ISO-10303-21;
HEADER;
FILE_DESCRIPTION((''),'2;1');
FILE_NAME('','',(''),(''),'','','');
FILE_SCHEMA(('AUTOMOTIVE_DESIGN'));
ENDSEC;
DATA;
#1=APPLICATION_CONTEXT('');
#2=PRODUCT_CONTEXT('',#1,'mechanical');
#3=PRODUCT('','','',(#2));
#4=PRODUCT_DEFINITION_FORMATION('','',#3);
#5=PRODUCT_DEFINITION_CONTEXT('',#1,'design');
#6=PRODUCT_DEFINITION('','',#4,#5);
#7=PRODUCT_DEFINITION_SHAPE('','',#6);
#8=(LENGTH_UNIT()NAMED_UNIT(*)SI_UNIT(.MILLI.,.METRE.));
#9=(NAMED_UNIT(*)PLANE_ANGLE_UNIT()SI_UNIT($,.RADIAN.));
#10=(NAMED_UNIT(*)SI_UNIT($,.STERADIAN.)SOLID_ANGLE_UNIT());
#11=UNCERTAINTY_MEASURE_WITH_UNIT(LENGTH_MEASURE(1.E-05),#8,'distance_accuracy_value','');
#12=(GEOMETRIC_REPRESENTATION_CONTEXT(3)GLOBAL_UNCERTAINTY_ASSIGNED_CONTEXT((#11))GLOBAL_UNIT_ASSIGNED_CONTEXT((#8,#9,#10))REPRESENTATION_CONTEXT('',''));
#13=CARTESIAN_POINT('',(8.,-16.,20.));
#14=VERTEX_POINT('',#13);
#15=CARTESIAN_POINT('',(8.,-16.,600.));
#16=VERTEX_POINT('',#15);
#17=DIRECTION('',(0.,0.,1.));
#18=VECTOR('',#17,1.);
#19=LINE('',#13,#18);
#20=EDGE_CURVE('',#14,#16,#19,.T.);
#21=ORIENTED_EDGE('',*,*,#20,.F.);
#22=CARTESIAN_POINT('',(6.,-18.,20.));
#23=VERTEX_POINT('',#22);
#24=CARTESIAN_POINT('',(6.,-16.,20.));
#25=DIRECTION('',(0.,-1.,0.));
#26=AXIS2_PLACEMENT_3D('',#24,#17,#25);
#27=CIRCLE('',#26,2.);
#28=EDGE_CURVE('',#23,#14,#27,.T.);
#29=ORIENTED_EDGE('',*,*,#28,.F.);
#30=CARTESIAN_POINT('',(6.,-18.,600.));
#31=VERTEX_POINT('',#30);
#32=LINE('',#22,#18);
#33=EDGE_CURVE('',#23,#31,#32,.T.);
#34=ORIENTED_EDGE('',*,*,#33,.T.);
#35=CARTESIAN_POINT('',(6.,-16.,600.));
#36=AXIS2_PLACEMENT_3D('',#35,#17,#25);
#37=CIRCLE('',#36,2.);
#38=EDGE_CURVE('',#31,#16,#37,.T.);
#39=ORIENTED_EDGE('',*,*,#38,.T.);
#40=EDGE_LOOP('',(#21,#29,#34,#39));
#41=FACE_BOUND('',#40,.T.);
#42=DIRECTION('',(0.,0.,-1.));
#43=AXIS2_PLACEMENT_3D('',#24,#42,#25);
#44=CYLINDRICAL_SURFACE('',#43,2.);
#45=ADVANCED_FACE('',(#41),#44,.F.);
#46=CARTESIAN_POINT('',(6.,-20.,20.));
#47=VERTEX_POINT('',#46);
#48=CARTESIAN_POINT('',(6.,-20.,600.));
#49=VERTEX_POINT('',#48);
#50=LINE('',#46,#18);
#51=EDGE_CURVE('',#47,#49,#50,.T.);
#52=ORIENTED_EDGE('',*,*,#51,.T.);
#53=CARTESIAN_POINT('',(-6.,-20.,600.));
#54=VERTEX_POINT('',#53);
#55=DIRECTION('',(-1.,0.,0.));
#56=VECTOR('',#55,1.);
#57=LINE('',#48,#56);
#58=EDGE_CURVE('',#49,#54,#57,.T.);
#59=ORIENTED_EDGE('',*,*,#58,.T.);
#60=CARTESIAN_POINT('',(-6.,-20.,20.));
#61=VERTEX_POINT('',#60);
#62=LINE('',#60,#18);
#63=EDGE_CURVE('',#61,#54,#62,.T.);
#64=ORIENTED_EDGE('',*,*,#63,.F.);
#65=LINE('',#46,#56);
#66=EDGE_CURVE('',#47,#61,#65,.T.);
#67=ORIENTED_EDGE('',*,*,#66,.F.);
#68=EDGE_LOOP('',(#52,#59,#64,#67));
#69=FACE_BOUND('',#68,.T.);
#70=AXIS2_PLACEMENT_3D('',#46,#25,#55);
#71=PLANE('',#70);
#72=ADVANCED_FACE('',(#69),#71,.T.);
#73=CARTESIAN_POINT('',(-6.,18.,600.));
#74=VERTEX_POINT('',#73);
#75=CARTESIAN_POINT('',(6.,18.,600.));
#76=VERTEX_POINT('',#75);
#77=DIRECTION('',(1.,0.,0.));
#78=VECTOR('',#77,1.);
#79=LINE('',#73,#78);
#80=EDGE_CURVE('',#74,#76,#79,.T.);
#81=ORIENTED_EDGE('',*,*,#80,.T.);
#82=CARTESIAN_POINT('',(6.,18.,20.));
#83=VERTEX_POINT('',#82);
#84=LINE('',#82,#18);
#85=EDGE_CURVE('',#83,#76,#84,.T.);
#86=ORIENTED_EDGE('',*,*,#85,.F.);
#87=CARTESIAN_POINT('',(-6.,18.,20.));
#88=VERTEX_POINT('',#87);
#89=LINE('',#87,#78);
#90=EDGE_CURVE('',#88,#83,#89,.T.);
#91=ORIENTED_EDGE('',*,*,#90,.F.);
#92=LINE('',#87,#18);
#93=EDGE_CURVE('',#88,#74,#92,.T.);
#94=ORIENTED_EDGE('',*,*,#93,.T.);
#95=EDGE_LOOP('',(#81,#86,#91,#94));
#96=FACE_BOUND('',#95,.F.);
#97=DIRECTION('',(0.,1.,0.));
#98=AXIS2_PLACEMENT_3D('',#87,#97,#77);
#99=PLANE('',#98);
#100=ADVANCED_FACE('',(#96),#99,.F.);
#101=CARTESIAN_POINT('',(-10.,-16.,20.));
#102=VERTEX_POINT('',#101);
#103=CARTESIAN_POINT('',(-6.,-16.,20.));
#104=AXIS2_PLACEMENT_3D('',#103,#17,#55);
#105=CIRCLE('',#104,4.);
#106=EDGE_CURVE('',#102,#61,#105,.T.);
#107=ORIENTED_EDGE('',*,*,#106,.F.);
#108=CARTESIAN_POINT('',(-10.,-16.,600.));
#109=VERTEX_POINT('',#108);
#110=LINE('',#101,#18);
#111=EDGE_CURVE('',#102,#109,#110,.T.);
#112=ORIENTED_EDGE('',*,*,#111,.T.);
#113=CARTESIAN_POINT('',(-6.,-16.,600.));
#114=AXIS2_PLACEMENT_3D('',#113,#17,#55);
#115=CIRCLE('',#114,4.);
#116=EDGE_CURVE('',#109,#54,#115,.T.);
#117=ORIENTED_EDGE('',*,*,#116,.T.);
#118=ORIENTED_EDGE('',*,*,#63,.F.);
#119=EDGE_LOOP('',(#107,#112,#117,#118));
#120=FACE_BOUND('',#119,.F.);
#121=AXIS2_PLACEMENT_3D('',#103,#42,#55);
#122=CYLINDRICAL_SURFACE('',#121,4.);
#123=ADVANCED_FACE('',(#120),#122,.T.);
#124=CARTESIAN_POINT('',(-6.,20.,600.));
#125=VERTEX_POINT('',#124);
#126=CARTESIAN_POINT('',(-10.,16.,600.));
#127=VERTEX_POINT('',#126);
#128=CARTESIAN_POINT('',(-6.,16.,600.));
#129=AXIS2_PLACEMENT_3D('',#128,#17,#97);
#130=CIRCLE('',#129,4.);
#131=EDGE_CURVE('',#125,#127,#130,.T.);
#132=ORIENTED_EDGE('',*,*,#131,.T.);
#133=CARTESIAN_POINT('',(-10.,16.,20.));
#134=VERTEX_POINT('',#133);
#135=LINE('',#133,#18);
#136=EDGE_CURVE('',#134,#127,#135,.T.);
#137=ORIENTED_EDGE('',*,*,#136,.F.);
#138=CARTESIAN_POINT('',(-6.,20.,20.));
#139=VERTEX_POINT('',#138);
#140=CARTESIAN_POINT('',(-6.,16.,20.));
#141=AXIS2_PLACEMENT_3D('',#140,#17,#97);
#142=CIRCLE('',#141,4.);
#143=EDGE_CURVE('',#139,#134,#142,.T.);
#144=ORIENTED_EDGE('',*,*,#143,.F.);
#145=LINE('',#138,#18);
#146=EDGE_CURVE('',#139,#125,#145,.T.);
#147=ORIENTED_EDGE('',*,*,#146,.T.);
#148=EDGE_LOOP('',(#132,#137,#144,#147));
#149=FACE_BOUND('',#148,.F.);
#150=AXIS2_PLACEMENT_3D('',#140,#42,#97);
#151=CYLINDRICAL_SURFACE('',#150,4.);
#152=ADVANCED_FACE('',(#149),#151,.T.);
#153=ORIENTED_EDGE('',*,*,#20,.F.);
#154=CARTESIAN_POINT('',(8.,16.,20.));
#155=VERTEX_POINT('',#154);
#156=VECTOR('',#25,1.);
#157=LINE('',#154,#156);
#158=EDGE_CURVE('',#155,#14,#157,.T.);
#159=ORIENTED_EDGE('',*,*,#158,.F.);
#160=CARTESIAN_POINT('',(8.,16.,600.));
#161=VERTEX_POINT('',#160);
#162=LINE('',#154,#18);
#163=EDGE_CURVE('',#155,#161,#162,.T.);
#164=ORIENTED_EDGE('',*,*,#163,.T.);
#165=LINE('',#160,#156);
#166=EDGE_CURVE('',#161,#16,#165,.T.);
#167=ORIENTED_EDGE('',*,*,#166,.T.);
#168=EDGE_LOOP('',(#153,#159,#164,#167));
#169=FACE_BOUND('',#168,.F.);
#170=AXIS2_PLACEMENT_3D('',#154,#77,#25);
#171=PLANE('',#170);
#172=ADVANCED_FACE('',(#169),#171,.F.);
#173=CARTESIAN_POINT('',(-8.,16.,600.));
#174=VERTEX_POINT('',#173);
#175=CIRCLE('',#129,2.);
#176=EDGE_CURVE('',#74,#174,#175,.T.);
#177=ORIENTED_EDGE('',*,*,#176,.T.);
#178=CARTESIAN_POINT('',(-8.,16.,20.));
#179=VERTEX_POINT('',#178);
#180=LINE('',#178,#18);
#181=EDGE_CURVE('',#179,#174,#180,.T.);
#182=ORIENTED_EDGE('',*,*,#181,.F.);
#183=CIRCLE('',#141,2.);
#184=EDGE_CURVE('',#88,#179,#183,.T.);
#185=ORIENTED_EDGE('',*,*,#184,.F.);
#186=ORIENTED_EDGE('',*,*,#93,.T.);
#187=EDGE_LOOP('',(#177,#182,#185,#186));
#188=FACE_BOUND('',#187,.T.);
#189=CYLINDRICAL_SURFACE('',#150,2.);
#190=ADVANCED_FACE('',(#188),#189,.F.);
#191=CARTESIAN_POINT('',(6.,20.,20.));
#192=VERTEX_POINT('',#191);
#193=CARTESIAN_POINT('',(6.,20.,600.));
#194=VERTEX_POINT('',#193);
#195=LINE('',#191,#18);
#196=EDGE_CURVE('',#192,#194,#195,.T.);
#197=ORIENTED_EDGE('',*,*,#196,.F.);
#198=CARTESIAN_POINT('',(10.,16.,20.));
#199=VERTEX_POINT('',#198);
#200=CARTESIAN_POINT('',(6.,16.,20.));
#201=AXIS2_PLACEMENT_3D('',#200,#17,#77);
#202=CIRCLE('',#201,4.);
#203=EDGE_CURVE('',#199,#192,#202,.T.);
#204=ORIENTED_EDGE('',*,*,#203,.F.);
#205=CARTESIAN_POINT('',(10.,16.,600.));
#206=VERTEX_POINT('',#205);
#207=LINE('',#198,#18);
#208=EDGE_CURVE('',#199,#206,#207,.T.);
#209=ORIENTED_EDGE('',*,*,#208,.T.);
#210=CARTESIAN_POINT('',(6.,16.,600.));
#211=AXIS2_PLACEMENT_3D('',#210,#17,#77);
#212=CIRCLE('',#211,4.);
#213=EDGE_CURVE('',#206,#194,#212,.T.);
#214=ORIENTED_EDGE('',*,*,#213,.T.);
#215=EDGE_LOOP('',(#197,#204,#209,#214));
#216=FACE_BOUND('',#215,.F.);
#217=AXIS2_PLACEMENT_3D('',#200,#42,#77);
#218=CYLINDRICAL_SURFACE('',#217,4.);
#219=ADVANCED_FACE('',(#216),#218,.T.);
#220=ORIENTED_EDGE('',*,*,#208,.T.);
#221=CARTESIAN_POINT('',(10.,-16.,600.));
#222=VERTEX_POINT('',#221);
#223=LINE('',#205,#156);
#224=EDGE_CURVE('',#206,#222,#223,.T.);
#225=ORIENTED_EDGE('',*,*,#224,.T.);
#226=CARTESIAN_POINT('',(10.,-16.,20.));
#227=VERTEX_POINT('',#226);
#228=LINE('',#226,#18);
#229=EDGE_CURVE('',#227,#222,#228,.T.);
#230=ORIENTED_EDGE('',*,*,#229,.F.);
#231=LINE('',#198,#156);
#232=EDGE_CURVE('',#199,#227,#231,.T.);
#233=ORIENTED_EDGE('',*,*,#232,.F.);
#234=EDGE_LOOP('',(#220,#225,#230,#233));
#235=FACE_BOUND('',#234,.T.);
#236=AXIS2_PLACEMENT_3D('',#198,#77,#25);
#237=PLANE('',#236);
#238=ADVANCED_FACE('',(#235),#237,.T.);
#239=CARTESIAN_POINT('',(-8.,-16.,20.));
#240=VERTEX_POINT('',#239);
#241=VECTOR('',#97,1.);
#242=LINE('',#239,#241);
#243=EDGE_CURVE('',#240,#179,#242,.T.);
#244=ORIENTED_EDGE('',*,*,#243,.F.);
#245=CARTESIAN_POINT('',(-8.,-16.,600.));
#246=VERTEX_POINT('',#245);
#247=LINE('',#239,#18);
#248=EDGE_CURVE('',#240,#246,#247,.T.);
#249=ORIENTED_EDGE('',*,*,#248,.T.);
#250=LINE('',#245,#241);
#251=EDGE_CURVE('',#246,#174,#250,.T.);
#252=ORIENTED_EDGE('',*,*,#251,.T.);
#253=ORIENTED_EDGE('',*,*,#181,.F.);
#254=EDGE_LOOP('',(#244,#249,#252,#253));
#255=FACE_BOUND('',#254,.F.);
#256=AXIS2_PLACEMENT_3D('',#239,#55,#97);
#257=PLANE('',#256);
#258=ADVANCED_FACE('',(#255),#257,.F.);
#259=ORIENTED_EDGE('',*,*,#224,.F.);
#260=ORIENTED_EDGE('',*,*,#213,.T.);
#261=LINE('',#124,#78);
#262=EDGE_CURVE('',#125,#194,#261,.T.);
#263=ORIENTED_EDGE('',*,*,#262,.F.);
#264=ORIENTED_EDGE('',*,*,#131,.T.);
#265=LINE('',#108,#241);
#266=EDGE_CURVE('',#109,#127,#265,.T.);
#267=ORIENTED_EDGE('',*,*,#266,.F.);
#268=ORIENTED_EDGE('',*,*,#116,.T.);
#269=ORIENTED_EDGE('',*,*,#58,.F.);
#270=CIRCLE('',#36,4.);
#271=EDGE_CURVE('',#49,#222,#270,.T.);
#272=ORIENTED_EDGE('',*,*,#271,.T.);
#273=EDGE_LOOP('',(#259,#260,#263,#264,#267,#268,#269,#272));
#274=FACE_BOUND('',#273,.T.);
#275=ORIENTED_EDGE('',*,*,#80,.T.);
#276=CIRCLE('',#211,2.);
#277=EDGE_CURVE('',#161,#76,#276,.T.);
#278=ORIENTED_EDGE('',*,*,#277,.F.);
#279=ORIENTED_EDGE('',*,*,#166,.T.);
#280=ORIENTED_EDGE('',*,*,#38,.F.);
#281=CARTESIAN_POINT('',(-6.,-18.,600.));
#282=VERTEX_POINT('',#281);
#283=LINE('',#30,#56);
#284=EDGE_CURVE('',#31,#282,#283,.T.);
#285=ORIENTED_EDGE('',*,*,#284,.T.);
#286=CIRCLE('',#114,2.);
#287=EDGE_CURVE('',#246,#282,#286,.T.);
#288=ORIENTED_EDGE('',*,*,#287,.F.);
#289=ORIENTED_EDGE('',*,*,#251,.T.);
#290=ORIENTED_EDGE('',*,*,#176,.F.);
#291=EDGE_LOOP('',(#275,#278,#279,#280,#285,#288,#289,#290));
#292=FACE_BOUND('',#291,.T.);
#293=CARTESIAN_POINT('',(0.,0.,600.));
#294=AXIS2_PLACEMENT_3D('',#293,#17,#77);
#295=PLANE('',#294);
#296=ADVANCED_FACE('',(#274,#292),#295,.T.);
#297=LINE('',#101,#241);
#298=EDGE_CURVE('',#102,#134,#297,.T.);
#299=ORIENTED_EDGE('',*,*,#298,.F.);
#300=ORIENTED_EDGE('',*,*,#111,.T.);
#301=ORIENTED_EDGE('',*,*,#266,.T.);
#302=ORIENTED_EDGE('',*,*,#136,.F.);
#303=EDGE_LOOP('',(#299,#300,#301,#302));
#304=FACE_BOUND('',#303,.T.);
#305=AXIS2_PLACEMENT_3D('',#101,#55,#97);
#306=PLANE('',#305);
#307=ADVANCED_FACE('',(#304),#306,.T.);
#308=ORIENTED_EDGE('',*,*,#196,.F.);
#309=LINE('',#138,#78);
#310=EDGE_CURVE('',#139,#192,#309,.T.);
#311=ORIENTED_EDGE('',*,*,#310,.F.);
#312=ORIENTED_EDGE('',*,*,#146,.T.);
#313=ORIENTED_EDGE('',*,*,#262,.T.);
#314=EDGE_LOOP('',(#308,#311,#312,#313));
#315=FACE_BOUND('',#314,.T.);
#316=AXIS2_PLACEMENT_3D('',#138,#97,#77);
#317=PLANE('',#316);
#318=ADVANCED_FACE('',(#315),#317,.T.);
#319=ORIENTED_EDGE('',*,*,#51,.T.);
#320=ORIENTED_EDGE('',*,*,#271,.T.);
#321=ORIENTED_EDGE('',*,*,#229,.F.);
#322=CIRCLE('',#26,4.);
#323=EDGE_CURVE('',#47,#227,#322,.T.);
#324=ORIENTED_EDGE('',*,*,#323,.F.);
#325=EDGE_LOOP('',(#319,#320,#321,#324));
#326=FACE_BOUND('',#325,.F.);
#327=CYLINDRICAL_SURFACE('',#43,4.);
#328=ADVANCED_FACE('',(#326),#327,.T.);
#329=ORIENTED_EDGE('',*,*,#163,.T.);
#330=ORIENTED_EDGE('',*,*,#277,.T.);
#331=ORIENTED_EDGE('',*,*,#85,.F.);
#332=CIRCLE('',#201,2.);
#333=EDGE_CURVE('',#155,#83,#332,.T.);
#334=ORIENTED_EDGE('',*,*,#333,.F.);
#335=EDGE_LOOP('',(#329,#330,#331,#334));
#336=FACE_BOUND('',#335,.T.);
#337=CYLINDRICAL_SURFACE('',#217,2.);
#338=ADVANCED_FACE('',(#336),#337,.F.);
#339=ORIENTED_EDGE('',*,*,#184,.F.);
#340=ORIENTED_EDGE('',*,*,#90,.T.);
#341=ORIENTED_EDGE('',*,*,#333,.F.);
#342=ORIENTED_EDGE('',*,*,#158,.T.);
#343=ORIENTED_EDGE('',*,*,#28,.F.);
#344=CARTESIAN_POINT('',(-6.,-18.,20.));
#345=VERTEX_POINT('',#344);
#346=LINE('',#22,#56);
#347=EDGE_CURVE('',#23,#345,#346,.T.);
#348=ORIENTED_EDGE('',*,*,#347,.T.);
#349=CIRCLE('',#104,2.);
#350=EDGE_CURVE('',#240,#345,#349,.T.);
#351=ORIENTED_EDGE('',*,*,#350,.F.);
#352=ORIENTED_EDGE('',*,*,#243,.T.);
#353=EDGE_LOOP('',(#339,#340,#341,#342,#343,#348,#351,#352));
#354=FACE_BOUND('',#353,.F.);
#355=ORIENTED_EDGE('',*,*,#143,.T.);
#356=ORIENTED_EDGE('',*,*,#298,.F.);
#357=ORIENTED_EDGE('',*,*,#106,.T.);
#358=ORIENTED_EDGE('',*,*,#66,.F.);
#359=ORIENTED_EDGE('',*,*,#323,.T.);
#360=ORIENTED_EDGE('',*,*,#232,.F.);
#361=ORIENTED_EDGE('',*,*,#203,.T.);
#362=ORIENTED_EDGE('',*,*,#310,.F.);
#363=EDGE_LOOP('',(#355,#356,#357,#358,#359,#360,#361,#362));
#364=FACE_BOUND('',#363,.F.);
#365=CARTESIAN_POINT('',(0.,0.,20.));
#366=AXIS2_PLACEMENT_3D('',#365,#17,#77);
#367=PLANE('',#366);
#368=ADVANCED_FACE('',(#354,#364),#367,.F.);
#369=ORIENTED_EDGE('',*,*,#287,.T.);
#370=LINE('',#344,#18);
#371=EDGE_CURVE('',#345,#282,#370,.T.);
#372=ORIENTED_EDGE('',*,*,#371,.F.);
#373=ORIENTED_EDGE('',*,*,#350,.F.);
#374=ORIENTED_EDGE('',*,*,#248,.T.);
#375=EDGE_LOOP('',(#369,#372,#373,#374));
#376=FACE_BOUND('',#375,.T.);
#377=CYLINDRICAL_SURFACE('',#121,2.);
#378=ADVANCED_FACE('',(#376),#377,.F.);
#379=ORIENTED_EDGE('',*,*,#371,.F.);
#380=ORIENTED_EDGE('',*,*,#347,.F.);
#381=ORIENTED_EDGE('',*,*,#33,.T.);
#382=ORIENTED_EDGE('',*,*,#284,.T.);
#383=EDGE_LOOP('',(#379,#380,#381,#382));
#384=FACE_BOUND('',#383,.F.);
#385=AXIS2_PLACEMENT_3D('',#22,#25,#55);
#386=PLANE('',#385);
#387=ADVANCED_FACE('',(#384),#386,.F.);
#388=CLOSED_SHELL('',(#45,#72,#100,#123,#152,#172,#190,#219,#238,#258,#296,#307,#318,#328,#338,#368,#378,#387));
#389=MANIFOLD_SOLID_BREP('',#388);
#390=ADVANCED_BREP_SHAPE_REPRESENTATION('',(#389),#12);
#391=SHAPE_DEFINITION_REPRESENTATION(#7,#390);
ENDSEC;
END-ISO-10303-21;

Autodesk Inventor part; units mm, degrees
ref_plane "YZ Plane" through (0, 0, 0) normal (1, 0, 0) x (0, 1, 0)
ref_plane "Start Plane" through (0, 0, 20) normal (0, 0, 1) x (1, 0, 0)
ref_plane "End Plane" through (0, 0, 600) normal (0, 0, 1) x (1, 0, 0)
sketch "Sketch" plane through (0, 0, 0) normal (0, 0, 1) x (1, 0, 0)
  line L0 (-10, -16) -> (-10, 16)
  line L1 (-6, 20) -> (6, 20)
  line L2 (10, 16) -> (10, -16)
  line L3 (6, -20) -> (-6, -20)
  arc A0 (-10, -16) -> (-6, -20) centre (-6, -16) ccw
  arc A1 (10, 16) -> (6, 20) centre (6, 16) ccw
  arc A2 (-6, 20) -> (-10, 16) centre (-6, 16) ccw
  arc A3 (6, -20) -> (10, -16) centre (6, -16) ccw
  arc A4 (-6, 18) -> (-8, 16) centre (-6, 16) ccw
  line L4 (-6, 18) -> (6, 18)
  arc A5 (8, 16) -> (6, 18) centre (6, 16) ccw
  line L5 (8, 16) -> (8, -16)
  arc A6 (6, -18) -> (8, -16) centre (6, -16) ccw
  line L6 (6, -18) -> (-6, -18)
  arc A7 (-8, -16) -> (-6, -18) centre (-6, -16) ccw
  line L7 (-8, -16) -> (-8, 16)
  line L8 (0, 29.1598) -> (0, -29.1598) construction
  line L9 (-15.1598, 0) -> (15.1598, 0) construction
  dimension "d7" = 4
  dimension "d9" = 20
  dimension "d11" = 40
  dimension "d12" = 2
  dimension "d15" = 10
  dimension "d16" = 20
extrude "Body" add sketch "Sketch" along normal up to surface (580 mm away) from surface at 20
sketch "Sketch3" plane through (0, 0, 0) normal (0, 0, 1) x (1, 0, 0)
  line L0 (0, 0) -> (10, 0)
ref_plane "Work Plane3" through (0, 0, 0) normal (0, -1, 0) x (1, 0, 0)
sketch "Sketch4" plane through (0, 0, 0) normal (0, -1, 0) x (1, 0, 0)
  line L0 (-2, 20) -> (12, 20) projected
  line L1 (-2, 600) -> (12, 600) projected
  dimension "d18" = 580
equation "\"d7\" = G_IR"
equation "\"d9\" = G_W"
equation "\"d11\" = G_H"
equation "\"d12\" = G_T"
equation "\"d15\" = 0.5 * d9"
equation "\"d16\" = 0.5 * d11"
equation "\"d3\" = G_L"
equation "\"G_W\" = 20"
equation "\"G_H\" = 40"
equation "\"G_T\" = 2"
equation "\"G_IR\" = 4"
equation "\"G_L\" = d18"
properties part number "ISO 4019 - 40x20x2 - 580" material "Steel, Mild"
